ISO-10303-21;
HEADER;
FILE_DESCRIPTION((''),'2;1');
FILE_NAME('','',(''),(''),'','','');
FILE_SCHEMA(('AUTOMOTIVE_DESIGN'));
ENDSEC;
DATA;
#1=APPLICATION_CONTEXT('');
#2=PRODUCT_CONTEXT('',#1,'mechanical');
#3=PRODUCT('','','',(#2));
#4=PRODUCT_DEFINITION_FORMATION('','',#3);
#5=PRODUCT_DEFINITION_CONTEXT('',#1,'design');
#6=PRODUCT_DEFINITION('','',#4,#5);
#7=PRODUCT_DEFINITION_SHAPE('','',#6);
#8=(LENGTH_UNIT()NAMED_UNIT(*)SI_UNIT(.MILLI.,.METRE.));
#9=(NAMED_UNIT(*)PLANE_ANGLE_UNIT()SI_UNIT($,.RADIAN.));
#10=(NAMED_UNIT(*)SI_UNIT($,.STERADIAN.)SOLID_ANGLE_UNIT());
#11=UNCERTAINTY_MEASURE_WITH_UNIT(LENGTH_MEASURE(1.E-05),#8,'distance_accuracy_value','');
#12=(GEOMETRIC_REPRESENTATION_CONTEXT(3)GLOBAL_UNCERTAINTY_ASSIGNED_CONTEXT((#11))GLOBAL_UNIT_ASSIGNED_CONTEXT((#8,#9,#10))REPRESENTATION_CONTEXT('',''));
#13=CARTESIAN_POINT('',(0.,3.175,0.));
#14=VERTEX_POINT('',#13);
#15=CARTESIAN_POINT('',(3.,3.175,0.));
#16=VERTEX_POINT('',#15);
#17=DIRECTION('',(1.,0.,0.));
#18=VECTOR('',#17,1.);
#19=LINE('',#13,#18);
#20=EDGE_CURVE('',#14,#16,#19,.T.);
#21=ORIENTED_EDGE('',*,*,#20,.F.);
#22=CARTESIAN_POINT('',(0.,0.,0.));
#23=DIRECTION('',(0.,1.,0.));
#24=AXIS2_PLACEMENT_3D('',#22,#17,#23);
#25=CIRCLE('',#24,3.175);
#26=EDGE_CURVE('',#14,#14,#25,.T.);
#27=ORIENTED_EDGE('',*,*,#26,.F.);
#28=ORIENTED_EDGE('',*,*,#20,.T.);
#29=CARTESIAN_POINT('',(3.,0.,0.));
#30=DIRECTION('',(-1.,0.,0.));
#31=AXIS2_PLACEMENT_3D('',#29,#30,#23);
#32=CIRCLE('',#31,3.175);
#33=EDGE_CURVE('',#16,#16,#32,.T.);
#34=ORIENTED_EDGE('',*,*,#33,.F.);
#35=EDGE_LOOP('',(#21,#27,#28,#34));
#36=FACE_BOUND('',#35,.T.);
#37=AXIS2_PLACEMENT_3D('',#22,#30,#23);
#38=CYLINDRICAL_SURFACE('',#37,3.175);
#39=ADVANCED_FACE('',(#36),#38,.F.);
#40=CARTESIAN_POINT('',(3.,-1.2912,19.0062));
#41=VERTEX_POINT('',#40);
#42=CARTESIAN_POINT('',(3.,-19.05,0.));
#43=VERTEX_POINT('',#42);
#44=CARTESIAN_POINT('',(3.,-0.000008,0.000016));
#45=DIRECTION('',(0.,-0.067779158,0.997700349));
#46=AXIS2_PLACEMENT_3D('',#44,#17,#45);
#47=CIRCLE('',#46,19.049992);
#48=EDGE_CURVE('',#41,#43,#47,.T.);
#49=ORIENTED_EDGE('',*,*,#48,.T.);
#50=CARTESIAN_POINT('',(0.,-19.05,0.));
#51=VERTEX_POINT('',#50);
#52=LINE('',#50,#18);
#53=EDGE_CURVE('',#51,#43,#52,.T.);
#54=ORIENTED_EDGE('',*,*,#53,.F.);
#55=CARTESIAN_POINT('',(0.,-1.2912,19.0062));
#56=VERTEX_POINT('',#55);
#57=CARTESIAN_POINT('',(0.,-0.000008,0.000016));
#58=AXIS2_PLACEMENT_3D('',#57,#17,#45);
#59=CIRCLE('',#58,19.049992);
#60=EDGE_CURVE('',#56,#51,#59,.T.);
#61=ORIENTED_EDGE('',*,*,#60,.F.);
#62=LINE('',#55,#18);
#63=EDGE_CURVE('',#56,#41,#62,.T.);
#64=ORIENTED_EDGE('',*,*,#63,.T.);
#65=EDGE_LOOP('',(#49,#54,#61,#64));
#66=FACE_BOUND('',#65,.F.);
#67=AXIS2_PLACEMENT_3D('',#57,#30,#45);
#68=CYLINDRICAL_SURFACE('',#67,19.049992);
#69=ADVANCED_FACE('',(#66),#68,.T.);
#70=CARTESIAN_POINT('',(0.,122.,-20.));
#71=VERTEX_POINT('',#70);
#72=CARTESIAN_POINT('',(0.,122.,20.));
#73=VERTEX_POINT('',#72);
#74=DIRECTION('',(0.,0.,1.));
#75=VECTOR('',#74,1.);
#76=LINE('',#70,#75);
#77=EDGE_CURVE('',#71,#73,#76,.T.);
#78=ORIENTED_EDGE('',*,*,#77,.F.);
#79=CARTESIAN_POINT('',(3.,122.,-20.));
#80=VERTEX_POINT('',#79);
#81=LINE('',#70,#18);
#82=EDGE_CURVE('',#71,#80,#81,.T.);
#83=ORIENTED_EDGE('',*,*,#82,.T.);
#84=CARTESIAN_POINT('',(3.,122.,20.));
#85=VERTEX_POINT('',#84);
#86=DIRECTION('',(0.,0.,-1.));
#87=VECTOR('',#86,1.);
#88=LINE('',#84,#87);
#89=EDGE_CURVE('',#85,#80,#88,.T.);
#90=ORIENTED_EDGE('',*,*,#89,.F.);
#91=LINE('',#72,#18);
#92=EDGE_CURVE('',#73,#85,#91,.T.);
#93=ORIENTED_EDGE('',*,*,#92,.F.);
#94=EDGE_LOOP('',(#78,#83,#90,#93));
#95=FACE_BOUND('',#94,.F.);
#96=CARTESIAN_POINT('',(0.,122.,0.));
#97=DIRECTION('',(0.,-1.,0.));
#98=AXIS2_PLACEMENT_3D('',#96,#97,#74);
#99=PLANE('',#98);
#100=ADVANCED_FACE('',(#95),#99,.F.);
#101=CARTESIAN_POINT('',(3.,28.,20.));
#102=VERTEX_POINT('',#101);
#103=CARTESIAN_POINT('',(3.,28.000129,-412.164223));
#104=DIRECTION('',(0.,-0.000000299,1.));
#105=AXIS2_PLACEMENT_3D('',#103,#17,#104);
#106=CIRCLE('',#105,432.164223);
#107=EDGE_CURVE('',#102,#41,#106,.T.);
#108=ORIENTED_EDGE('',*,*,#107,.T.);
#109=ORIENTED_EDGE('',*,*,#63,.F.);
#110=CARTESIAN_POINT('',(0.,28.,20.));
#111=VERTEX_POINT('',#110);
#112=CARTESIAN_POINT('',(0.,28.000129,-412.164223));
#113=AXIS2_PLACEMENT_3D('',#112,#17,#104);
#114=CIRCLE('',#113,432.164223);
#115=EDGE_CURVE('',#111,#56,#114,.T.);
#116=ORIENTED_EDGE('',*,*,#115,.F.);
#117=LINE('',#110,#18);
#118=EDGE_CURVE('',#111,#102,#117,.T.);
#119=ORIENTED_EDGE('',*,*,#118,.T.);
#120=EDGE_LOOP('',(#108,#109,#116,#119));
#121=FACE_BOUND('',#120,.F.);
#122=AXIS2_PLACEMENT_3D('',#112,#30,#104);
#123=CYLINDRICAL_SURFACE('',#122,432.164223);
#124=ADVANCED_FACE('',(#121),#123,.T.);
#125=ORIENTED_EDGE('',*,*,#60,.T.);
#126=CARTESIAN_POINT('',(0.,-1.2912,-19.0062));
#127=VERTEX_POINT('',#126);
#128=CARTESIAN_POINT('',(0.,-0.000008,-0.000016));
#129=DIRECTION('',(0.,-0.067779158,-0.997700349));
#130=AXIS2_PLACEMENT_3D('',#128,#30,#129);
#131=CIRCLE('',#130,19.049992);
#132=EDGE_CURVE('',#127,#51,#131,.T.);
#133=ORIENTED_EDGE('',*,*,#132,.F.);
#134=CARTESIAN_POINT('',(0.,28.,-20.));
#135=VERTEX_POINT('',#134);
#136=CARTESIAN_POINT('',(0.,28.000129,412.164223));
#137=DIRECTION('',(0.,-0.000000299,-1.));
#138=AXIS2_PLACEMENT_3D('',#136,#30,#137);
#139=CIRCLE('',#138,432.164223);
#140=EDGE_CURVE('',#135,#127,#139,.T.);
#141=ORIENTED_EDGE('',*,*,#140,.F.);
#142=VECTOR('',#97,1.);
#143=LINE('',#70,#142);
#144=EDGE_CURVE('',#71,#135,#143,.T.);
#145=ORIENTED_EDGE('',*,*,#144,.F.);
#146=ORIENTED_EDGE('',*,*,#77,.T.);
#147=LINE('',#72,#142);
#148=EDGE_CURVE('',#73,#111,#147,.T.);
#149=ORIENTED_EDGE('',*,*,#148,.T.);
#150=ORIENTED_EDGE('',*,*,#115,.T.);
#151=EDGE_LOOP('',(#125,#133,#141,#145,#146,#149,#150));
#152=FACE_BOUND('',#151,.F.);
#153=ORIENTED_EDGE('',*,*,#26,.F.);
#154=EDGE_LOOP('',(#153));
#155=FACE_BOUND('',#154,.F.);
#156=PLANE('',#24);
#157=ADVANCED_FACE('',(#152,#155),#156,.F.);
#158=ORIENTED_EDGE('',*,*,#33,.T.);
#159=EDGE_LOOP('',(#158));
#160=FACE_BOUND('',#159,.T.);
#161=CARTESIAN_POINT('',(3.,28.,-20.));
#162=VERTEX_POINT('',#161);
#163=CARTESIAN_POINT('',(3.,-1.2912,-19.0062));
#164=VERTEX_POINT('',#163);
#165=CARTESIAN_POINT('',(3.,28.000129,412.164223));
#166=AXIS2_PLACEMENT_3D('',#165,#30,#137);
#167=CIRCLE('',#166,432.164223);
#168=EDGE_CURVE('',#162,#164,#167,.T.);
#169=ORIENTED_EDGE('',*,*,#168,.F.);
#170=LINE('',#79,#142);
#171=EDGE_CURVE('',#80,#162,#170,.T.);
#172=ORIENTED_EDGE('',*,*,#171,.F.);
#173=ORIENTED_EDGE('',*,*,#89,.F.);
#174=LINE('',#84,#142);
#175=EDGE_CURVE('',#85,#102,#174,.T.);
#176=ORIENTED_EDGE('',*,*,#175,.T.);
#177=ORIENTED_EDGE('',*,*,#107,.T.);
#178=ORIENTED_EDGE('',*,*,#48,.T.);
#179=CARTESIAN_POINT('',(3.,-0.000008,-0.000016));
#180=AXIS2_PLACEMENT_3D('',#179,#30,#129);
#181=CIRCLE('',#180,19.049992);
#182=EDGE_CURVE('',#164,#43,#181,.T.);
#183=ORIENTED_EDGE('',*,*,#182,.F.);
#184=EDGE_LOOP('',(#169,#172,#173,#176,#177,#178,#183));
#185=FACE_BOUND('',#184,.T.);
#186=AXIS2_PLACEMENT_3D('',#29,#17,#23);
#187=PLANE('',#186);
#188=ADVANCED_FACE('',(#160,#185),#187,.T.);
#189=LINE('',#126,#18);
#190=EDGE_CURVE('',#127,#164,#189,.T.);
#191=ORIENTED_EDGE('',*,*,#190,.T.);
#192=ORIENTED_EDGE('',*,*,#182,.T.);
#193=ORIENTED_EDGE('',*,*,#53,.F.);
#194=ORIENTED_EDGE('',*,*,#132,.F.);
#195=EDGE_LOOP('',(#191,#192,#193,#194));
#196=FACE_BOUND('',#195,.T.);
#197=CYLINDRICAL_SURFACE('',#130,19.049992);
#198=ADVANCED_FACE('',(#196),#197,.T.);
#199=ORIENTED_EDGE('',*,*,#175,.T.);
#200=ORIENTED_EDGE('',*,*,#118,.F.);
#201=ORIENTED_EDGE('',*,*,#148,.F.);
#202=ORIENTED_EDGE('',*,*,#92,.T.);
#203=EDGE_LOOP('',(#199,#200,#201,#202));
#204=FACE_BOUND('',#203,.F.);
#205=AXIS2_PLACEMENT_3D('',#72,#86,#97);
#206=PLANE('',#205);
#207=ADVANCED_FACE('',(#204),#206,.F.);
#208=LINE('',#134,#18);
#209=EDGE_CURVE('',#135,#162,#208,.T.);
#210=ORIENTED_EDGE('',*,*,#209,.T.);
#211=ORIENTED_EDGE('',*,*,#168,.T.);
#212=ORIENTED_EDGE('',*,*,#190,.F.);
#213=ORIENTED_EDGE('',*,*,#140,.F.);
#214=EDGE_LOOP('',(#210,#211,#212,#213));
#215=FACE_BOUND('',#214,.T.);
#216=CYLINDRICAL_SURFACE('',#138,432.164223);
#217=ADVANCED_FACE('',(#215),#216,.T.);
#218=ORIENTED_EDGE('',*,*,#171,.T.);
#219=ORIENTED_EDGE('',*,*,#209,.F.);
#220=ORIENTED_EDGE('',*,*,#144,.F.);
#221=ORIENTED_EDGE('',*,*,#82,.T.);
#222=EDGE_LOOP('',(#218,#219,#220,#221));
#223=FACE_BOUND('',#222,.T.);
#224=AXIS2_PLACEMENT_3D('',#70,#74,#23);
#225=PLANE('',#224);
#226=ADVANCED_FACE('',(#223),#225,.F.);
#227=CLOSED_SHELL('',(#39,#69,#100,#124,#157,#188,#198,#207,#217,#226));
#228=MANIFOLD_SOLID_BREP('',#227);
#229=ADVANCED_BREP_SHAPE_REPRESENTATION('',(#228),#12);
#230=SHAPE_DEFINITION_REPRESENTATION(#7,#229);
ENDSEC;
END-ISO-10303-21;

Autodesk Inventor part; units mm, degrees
ref_plane "YZ Plane" through (0, 0, 0) normal (1, 0, 0) x (0, 1, 0)
ref_plane "XZ Plane" through (0, 0, 0) normal (0, 1, 0) x (-1, 0, 0)
ref_plane "XY Plane" through (0, 0, 0) normal (0, 0, 1) x (1, 0, 0)
sketch "Sketch1" plane through (0, 0, 0) normal (1, 0, 0) x (0, 1, 0)
  line L0 (122, 20) -> (28, 20)
  arc A0 (28, 20) -> (-1.2912, 19.0062) centre (28, -412.1566) ccw
  arc A1 (-1.2912, 19.0062) -> (-19.05, 0) centre (0, 0) ccw
  line L1 (-19.05, 0) -> (122, 0)
  line L2 (122, 0) -> (122, 20)
  circle A2 centre (0, 0) radius 3.175
  point P0 (-3.175, 0)
  point P1 (3.175, 0)
  dimension "d0" = 19.05
  dimension "d1" = 6.35
  dimension "d2" = 122
  dimension "d3" = 94
  dimension "d4" = 20
extrude "Extrusion1" add sketch "Sketch1" along normal blind 3 contours L2 L1 A2 A1 A0 L0
mirror "Mirror1" about plane through (0, 0, 0) normal (0, 0, 1) of "Extrusion1"
properties part number "wristPlate"
